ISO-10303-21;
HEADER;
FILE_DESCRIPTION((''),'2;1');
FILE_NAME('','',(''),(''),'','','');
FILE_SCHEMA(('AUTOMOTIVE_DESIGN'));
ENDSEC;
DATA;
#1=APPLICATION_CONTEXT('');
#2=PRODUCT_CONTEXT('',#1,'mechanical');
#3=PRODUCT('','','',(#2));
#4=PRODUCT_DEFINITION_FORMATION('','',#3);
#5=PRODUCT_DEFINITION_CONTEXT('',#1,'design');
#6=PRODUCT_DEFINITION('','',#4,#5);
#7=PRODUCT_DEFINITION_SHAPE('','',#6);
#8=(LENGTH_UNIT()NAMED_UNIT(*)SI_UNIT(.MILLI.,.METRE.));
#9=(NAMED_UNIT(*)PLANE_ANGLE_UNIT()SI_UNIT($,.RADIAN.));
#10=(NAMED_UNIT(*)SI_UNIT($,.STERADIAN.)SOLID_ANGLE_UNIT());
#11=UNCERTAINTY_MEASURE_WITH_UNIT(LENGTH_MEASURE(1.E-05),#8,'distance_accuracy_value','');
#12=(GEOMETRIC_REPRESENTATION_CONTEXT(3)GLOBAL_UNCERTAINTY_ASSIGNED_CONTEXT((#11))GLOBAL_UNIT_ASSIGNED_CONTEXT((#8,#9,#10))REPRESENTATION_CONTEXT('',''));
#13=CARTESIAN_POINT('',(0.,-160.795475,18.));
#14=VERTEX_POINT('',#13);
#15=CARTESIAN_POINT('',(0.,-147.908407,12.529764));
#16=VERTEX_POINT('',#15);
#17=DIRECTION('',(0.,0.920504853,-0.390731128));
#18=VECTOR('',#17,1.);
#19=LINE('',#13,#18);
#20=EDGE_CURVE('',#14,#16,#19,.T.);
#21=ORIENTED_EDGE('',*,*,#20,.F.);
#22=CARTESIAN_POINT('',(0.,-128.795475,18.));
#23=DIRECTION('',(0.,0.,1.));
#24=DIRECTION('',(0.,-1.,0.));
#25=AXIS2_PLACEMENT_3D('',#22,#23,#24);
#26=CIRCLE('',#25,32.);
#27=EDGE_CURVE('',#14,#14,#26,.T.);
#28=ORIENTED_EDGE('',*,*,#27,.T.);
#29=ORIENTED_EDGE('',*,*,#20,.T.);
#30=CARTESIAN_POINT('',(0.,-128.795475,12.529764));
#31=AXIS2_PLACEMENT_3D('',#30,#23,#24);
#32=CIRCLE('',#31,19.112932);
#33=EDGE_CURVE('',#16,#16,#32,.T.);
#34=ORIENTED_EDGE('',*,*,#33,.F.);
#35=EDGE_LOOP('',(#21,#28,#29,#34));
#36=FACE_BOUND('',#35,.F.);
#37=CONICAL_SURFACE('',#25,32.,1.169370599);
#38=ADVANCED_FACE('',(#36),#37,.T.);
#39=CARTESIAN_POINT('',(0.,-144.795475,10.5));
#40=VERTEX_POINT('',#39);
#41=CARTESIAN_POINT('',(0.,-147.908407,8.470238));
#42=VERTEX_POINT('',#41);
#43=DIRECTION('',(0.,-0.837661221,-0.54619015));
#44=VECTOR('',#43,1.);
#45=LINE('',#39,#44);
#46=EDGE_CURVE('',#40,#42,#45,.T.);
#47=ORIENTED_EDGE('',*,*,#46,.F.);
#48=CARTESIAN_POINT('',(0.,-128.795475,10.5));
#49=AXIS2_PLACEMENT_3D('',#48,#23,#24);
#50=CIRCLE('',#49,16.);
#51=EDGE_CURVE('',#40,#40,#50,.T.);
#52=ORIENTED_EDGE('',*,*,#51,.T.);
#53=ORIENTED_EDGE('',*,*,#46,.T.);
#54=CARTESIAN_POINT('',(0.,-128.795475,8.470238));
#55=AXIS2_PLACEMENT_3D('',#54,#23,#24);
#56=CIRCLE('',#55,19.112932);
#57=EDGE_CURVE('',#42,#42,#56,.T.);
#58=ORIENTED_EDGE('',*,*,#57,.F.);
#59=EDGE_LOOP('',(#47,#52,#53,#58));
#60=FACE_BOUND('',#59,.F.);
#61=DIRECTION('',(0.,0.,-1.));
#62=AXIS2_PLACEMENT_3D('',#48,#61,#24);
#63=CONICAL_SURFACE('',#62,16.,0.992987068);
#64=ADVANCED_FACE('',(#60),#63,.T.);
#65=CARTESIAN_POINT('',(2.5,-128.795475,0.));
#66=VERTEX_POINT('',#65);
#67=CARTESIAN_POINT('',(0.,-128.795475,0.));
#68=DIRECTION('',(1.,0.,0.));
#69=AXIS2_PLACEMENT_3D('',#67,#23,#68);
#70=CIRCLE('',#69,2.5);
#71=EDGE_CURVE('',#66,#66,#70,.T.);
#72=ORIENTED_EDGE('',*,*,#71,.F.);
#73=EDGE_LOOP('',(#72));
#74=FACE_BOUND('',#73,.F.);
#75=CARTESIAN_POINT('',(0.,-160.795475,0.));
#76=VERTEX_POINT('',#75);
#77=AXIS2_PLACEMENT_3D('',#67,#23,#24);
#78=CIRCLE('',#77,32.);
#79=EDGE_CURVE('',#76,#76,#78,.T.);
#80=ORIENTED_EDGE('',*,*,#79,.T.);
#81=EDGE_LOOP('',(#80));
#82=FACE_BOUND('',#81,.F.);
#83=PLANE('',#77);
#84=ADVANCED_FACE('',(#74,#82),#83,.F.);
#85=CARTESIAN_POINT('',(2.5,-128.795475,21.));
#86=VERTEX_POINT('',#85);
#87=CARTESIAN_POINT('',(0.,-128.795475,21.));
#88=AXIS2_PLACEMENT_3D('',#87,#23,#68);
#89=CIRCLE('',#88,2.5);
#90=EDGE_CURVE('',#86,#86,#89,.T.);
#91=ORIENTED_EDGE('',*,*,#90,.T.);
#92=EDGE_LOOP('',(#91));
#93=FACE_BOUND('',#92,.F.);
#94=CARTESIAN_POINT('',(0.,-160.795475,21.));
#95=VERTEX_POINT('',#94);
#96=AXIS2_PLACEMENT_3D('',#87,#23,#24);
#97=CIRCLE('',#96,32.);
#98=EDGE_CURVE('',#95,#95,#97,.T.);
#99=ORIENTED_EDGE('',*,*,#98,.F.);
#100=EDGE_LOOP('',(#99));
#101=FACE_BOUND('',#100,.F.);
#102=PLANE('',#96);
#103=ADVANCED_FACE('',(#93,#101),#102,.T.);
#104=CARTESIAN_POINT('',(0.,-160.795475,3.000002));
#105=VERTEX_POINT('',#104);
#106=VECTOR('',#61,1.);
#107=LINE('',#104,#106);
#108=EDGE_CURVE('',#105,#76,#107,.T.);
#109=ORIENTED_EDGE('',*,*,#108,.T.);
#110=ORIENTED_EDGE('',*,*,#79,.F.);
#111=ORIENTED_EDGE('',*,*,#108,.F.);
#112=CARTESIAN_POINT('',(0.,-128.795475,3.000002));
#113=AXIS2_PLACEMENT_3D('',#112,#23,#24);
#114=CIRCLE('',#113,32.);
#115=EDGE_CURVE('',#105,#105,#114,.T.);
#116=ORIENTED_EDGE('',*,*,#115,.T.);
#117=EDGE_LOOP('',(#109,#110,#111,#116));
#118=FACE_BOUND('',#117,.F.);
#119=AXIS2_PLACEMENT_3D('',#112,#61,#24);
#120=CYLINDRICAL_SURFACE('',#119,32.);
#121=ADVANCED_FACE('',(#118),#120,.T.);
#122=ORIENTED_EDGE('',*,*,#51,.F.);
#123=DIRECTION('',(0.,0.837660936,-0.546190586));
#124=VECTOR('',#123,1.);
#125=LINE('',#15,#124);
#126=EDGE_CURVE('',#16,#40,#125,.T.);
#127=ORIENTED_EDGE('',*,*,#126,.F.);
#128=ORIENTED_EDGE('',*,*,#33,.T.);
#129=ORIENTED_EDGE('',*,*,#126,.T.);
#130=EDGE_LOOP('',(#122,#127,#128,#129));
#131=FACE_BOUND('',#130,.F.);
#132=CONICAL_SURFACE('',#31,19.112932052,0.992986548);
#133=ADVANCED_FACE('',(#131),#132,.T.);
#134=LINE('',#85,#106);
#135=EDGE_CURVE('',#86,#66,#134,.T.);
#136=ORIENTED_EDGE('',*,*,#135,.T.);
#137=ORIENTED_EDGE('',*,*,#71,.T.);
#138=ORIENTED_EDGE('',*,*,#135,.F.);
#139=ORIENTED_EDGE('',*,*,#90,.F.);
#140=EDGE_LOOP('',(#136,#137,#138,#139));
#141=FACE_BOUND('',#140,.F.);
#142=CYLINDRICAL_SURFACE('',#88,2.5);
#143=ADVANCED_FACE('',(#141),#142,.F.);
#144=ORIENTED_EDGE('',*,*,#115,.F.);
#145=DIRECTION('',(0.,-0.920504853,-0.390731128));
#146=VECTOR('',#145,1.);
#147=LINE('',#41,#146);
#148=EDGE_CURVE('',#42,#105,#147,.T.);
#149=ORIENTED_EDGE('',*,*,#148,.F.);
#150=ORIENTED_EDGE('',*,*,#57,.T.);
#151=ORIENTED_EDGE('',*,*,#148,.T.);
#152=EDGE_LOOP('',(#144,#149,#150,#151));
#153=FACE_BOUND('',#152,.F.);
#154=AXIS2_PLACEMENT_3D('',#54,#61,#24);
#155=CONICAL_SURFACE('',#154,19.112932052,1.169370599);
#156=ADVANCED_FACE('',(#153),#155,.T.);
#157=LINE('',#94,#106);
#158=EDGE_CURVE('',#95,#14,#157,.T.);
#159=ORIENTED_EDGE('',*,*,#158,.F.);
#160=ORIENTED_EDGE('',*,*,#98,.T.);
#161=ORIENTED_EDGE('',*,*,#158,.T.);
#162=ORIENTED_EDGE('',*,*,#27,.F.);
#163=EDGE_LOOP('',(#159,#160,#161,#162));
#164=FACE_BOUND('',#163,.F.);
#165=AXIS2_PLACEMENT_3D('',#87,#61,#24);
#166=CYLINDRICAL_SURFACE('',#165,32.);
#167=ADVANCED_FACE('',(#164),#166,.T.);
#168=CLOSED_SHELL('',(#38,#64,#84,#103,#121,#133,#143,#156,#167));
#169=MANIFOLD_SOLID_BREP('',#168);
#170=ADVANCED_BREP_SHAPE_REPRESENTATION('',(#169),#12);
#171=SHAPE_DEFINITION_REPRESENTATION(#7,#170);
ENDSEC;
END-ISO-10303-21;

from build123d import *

# Parameters (mm, degrees)
F2_R     = 2.5
F3_DEPTH = 21


with BuildPart() as f1:
    # F0 (on Right) → F1 (revolve)
    with BuildSketch(Plane.YZ):
        Polygon((-160.7954752429, 0), (-128.7954752429, 0), (-128.7954752429, 21), (-160.7954752429, 21), (-160.7954752429, 18), (-147.9084072946, 12.5297642012), (-144.7954752429, 10.5), (-147.9084072946, 8.4702381086), (-160.7954752429, 3.0000023098), align=None)
    revolve(axis=Axis((0, -128.7954752429, 10.5), (0, 0, 1)))

    # F2 (on face) → F3 (cut, through all)
    with BuildSketch(Plane.XY.offset(21)):
        with Locations((0, -128.7954752429)):
            Circle(F2_R)
    extrude(amount=-F3_DEPTH, mode=Mode.SUBTRACT)


solid = f1.part
